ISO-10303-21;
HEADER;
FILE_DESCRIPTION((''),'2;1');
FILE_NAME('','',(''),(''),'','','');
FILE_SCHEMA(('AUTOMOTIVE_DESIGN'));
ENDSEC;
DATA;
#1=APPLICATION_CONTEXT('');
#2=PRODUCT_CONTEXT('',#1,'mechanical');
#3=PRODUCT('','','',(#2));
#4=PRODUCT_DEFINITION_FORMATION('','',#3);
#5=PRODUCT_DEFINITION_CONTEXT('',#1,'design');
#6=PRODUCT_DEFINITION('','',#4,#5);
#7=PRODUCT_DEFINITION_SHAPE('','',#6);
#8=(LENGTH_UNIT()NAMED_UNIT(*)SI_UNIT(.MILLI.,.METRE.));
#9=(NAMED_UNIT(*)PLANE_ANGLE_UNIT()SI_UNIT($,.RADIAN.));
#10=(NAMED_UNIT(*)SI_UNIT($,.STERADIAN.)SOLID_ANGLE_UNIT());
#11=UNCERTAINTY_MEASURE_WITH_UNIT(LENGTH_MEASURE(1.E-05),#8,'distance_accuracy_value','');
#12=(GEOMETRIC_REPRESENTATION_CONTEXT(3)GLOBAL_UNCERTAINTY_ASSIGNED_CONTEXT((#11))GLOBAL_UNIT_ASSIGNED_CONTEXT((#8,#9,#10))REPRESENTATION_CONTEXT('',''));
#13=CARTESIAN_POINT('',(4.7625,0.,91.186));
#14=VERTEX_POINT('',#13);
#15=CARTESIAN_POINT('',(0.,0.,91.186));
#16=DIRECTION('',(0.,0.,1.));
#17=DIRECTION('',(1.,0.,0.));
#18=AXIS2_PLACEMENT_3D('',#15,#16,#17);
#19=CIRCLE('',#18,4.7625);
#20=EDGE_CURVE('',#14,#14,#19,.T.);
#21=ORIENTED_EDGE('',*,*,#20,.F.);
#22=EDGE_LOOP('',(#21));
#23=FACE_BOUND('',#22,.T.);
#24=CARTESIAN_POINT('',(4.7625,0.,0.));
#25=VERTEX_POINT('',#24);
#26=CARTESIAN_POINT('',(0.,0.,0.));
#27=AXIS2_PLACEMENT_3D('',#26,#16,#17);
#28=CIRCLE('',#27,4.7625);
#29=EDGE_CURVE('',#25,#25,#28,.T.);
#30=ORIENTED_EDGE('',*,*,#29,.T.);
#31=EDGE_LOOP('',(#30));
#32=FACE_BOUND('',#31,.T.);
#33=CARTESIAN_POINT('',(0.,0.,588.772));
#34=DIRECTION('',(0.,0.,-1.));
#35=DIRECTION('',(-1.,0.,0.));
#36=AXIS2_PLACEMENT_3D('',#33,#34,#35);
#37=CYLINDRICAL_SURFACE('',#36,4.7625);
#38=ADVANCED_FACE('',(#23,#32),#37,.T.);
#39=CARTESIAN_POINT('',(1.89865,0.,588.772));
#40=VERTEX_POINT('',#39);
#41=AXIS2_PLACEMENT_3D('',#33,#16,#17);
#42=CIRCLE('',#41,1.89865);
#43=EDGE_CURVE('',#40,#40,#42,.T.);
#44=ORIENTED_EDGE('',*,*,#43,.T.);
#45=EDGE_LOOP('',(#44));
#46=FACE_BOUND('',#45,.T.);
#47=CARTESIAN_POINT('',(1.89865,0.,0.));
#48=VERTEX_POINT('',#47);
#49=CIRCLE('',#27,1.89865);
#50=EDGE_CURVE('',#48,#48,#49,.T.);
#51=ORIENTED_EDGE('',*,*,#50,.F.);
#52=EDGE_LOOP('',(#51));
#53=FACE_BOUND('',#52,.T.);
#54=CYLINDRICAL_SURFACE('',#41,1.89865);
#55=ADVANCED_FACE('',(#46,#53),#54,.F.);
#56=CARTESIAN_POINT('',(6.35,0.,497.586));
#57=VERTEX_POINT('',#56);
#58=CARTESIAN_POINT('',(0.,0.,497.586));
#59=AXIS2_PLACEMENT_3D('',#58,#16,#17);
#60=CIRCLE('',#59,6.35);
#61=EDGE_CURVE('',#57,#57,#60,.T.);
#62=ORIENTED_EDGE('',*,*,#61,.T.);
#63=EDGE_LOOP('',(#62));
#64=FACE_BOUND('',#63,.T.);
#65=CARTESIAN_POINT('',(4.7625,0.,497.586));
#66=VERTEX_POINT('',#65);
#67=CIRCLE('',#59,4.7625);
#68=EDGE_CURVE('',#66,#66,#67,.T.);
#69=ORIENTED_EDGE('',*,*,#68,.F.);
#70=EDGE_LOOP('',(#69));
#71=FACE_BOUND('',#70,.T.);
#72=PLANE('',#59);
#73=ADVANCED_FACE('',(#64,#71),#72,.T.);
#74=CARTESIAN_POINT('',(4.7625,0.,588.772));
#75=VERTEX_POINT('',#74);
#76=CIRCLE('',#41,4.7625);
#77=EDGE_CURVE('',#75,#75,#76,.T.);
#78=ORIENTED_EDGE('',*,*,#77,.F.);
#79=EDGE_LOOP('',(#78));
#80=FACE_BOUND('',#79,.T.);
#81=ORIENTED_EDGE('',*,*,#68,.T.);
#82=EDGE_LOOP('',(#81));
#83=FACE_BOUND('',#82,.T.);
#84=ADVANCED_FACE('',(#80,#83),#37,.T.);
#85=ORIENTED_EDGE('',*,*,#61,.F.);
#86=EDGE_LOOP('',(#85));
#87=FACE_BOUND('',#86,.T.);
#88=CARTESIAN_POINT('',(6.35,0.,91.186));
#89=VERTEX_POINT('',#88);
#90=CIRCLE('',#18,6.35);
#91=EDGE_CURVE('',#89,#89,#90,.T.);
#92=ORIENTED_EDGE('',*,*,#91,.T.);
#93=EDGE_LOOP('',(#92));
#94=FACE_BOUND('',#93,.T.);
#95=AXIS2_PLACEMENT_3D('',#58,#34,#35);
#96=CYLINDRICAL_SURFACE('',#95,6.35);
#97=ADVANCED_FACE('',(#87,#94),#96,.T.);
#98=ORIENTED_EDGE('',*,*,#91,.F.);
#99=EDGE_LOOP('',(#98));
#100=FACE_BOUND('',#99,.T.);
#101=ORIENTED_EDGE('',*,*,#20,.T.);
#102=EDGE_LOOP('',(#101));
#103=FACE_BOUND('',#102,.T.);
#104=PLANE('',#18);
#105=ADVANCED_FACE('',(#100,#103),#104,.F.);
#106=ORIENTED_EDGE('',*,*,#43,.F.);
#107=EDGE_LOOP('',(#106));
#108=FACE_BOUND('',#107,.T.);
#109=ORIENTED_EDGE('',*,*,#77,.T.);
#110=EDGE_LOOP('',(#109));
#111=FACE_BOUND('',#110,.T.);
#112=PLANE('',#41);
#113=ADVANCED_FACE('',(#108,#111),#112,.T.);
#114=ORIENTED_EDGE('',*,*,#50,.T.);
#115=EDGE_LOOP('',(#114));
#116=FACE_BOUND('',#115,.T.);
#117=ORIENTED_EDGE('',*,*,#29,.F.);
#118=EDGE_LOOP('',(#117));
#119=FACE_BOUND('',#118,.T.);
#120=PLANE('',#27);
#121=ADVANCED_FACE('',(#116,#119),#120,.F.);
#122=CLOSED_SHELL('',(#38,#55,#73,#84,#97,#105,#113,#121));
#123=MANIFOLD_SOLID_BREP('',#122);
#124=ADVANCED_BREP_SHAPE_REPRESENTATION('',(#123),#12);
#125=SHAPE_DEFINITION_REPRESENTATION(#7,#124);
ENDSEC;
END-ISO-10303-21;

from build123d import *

# Parameters (mm, degrees)
SKETCH1_R                    = 4.7625
BOSS_EXTRUDE1_DEPTH          = 588.772
BOSS_EXTRUDE2_START          = 91.186
SKETCH1_3_R                  = 6.35
SKETCH1_3_R_2                = 4.7625
BOSS_EXTRUDE2_DEPTH          = 406.4
F_25_0_1495_DIAMETER_HOLE1_D = 3.7973


with BuildPart() as part:
    # Sketch1 → Boss-Extrude1 (new body)
    with BuildSketch(Plane.XY):
        Circle(SKETCH1_R)
    extrude(amount=BOSS_EXTRUDE1_DEPTH)

    # Sketch1<3> → Boss-Extrude2 (add)
    with BuildSketch(Plane.XY.offset(BOSS_EXTRUDE2_START)):
        Circle(SKETCH1_3_R)
        Circle(SKETCH1_3_R_2, mode=Mode.SUBTRACT)
    extrude(amount=BOSS_EXTRUDE2_DEPTH)

    # #25 (0.1495) Diameter Hole1 (through all)
    with Locations(Plane.XY.offset(588.772)):
        with Locations((0, 0)):
            Hole(F_25_0_1495_DIAMETER_HOLE1_D / 2)


solid = part.part
